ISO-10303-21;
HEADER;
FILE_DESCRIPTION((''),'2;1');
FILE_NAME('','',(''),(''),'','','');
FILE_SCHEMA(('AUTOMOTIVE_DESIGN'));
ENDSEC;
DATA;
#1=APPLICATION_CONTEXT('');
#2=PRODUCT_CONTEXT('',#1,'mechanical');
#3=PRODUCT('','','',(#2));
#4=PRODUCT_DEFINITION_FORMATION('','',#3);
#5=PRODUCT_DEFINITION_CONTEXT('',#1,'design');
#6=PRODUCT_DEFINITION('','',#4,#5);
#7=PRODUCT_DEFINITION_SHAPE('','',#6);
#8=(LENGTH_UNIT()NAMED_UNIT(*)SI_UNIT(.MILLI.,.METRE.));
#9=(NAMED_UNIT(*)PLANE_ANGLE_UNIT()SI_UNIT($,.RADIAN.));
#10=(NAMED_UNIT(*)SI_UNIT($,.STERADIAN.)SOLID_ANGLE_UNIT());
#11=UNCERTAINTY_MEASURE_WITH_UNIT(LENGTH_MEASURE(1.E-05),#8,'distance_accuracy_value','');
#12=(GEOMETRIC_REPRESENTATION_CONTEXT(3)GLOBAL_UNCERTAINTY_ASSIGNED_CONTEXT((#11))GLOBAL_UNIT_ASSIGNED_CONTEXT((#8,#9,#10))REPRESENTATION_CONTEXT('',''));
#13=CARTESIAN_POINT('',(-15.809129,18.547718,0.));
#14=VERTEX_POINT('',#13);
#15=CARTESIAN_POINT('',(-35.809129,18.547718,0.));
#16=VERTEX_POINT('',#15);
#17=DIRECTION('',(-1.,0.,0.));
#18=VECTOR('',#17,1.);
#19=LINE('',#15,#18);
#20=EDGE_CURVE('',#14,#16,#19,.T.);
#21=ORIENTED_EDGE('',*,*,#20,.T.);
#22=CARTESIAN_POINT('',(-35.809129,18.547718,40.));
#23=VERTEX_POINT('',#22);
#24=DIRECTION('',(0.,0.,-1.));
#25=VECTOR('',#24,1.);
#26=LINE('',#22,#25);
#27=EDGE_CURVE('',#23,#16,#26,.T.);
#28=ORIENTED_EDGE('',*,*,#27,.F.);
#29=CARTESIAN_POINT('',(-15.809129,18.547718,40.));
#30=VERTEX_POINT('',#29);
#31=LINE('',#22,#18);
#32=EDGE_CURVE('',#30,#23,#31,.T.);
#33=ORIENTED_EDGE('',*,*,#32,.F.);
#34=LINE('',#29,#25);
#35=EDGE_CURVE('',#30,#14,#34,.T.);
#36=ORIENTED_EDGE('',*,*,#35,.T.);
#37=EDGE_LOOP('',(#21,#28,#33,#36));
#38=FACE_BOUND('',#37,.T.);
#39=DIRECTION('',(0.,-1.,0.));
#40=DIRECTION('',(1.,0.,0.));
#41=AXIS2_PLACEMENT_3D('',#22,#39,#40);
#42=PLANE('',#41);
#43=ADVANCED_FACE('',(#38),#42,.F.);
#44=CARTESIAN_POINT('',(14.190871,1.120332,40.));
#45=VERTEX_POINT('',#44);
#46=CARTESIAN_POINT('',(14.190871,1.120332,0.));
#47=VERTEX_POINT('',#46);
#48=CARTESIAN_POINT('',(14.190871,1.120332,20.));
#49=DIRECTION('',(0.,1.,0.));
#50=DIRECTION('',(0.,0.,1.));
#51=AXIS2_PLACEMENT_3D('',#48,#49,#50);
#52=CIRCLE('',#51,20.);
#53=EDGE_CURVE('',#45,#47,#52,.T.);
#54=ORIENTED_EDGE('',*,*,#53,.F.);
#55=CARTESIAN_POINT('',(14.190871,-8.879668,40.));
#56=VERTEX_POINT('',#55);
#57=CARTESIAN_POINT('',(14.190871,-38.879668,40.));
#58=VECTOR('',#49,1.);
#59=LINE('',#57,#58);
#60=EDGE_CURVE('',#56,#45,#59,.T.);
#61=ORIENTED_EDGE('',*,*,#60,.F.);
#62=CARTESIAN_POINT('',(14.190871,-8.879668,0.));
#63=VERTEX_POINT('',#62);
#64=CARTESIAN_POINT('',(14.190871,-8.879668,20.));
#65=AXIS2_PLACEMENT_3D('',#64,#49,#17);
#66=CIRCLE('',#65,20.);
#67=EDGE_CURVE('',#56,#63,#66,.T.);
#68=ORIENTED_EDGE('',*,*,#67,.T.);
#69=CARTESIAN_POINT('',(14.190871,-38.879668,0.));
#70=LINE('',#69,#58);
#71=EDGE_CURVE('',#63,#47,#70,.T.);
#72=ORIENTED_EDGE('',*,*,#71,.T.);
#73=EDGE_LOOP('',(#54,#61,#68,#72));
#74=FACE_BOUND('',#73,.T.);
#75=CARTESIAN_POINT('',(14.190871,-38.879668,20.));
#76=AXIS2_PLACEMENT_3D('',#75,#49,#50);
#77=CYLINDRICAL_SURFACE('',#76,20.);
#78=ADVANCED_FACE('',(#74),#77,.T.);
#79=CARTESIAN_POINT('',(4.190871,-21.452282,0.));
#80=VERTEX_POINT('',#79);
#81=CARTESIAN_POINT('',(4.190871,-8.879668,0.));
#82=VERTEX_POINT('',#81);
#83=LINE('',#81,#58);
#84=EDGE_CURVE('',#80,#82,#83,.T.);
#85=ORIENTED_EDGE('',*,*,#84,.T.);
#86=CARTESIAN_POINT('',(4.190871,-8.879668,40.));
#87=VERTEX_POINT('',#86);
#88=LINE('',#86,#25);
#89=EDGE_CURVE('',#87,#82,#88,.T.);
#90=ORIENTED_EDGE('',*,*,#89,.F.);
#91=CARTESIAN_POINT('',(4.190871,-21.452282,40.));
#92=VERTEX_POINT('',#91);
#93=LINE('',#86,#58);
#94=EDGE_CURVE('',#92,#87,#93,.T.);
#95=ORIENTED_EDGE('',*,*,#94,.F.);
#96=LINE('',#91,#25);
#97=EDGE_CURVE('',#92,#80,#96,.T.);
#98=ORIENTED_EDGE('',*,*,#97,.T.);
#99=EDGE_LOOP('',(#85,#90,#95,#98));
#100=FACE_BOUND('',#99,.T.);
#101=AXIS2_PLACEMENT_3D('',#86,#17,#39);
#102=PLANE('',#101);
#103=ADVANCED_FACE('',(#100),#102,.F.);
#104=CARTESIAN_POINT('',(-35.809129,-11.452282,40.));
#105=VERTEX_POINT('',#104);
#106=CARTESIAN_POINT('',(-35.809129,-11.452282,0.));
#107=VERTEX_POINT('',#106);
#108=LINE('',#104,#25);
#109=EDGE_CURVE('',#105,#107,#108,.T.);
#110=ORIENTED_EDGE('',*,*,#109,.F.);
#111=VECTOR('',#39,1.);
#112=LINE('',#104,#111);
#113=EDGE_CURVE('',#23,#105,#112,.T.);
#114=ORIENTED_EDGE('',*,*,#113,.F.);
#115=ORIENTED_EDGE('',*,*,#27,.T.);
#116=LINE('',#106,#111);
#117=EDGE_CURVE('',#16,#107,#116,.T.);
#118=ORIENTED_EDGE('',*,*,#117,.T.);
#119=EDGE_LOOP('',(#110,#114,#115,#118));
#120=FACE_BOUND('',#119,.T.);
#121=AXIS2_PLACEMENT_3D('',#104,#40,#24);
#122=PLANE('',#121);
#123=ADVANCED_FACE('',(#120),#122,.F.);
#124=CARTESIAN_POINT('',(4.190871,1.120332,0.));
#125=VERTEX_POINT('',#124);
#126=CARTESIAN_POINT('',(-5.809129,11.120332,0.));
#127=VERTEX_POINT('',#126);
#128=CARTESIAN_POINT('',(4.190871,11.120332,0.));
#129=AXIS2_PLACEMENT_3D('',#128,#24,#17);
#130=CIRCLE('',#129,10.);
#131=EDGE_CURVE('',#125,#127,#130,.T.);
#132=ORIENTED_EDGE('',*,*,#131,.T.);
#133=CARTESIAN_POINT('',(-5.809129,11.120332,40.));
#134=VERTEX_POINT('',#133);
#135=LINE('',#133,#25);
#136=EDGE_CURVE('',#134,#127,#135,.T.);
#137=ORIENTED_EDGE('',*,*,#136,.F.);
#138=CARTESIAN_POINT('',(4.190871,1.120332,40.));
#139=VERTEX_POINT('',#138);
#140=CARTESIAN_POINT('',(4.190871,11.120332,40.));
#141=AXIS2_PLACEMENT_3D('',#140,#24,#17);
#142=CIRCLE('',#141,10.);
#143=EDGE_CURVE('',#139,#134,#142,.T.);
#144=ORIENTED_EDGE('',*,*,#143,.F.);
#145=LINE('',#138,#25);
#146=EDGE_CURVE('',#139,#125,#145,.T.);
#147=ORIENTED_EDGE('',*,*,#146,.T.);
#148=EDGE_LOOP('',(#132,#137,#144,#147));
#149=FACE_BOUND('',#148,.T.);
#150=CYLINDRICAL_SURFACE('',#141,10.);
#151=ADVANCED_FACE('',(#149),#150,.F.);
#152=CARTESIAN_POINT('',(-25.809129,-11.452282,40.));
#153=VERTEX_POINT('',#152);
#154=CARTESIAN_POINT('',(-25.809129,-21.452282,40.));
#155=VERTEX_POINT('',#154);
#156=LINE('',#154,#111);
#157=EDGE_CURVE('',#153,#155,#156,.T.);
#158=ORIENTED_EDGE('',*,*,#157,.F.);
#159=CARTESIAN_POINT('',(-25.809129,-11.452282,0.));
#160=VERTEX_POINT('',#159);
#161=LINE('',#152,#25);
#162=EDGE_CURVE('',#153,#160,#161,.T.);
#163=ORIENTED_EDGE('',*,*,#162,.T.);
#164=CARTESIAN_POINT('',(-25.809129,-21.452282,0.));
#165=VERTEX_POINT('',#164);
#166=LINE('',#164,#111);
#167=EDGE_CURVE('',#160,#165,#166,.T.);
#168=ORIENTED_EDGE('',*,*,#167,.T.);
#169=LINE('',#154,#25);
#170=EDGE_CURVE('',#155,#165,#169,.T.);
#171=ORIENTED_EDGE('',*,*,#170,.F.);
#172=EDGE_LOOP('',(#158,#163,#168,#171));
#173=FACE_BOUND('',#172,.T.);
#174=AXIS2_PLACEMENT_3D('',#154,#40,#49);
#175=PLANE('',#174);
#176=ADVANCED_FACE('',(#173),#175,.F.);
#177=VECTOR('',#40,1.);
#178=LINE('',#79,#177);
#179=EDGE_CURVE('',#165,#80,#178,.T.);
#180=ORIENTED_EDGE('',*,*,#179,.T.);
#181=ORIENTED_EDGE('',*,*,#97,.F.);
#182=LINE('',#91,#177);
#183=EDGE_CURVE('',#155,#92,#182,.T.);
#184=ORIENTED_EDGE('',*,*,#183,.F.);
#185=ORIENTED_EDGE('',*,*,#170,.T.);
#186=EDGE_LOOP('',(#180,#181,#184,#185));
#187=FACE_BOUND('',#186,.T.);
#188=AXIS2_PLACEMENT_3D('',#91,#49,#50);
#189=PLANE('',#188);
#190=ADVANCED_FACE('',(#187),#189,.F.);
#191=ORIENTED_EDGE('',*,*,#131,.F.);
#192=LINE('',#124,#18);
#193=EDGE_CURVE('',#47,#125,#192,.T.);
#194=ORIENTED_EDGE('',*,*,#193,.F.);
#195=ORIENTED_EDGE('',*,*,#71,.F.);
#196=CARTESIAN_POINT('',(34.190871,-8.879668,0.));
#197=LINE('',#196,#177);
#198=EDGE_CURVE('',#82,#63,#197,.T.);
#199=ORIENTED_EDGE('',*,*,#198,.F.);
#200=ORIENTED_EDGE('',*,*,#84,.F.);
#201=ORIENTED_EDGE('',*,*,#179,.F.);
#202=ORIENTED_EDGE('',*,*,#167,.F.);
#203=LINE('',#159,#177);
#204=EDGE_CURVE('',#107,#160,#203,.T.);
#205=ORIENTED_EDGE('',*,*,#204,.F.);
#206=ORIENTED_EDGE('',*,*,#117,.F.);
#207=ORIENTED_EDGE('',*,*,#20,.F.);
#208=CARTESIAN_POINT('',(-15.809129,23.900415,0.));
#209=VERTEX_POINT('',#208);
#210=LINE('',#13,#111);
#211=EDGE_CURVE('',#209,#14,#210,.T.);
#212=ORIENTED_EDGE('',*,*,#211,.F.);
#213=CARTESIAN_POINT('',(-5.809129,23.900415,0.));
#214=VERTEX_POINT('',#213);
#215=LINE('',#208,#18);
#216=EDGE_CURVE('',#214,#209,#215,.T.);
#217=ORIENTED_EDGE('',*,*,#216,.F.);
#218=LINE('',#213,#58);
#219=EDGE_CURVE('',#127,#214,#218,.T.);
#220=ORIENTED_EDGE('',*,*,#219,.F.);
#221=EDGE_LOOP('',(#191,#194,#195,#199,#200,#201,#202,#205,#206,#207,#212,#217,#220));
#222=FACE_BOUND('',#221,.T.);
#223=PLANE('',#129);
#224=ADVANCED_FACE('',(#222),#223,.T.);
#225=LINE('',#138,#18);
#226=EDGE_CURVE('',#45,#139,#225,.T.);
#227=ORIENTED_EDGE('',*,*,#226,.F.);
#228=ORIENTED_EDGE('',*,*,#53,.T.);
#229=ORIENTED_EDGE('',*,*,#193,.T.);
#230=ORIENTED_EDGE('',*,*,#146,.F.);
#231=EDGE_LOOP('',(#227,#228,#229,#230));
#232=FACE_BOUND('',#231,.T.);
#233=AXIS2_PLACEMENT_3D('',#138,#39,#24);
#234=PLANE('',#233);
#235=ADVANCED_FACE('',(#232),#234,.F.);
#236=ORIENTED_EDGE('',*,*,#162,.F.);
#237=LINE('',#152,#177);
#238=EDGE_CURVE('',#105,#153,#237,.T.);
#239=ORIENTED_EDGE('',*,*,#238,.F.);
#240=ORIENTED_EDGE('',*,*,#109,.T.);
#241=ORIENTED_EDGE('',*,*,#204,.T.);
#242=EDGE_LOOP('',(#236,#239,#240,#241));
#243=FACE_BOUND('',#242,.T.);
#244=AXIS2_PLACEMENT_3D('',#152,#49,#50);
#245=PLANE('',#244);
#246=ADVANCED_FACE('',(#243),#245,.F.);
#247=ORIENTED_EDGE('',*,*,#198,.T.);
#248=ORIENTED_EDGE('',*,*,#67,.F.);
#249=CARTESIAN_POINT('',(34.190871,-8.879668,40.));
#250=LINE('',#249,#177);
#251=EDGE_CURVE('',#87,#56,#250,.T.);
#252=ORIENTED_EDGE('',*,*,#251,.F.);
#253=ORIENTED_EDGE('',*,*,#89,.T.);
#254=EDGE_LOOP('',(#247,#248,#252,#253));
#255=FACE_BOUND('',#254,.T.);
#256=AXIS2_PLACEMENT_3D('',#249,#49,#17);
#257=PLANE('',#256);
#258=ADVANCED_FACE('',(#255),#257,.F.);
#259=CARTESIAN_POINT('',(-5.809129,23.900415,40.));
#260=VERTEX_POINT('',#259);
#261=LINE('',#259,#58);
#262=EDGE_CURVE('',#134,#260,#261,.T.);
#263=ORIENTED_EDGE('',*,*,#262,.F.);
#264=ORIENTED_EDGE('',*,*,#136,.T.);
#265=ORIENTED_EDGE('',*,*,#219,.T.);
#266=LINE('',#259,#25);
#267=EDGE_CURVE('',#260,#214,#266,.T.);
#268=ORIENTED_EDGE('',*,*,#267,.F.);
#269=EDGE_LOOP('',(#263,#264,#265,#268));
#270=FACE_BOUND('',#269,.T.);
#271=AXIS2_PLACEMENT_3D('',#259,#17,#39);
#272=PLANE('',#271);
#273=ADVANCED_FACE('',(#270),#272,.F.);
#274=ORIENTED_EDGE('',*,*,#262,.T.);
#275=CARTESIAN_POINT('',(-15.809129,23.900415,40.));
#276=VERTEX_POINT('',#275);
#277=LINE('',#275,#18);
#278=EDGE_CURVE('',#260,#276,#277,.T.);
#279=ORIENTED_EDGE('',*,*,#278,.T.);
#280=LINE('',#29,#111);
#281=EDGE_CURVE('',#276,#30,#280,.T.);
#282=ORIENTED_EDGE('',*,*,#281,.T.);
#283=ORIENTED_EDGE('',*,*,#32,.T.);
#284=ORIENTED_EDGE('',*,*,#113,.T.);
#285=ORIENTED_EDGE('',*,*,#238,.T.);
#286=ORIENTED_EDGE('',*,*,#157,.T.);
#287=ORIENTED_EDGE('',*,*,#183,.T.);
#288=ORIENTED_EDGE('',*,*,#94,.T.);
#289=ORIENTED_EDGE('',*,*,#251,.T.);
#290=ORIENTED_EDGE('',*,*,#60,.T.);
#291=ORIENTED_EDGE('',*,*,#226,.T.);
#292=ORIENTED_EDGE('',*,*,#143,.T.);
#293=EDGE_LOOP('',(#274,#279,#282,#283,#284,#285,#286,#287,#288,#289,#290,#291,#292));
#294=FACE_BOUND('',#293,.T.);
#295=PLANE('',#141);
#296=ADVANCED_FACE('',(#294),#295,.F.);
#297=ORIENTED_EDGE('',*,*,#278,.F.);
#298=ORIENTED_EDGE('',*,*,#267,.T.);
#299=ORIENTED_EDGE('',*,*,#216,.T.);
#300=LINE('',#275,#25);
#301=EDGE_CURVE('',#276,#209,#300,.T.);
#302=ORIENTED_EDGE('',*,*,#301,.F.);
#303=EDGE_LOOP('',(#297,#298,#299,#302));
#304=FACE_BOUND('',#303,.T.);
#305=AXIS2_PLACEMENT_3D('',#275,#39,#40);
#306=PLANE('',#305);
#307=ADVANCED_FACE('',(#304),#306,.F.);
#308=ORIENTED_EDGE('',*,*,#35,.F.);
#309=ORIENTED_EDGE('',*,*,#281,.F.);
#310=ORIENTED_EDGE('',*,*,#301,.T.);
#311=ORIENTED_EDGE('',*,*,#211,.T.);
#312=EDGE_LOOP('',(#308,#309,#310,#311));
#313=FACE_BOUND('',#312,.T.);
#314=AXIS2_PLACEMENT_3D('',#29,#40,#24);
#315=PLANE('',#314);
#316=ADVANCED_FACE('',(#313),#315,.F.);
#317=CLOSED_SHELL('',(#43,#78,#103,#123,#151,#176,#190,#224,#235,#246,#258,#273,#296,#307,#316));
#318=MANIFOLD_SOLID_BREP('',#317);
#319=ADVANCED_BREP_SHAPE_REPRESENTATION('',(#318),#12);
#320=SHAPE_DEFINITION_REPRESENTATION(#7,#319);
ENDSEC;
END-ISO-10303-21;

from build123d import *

# Parameters (mm, degrees)
BOSS_EXTRUDE1_DEPTH = 40
SKETCH3_OUTSIDE_W   = 90.5
SKETCH3_OUTSIDE_H   = 60.5
CUT_EXTRUDE1_DEPTH  = 40


with BuildPart() as part:
    # Sketch1 → Boss-Extrude1 (new body)
    with BuildSketch(Plane.XY):
        with BuildLine():
            Line((-15.809128631, 23.900414938), (-5.809128631, 23.900414938))
            Line((-5.809128631, 23.900414938), (-5.809128631, 11.12033195))
            ThreePointArc((-5.809128631, 11.12033195), (-2.880196443, 4.049264138), (4.190871369, 1.12033195))
            Line((4.190871369, 1.12033195), (34.190871369, 1.12033195))
            Line((34.190871369, 1.12033195), (34.190871369, -8.87966805))
            Line((34.190871369, -8.87966805), (4.190871369, -8.87966805))
            Line((4.190871369, -8.87966805), (4.190871369, -21.452282158))
            Line((4.190871369, -21.452282158), (-25.809128631, -21.452282158))
            Line((-25.809128631, -21.452282158), (-25.809128631, -11.452282158))
            Line((-25.809128631, -11.452282158), (-35.809128631, -11.452282158))
            Line((-35.809128631, -11.452282158), (-35.809128631, 18.547717842))
            Line((-35.809128631, 18.547717842), (-15.809128631, 18.547717842))
            Line((-15.809128631, 18.547717842), (-15.809128631, 23.900414938))
        make_face()
    extrude(amount=BOSS_EXTRUDE1_DEPTH)

    # Sketch3 outside → Cut-Extrude1 (cut)
    with BuildSketch(Plane(origin=(0, 1.12033195, 0), x_dir=(1, 0, 0), z_dir=(0, 1, 0))):
        with Locations((-0.809, -20)):
            Rectangle(SKETCH3_OUTSIDE_W, SKETCH3_OUTSIDE_H)
        with BuildLine():
            Line((14.190871369, 0), (-35.809128631, 0))
            Line((-35.809128631, 0), (-35.809128631, -40))
            Line((-35.809128631, -40), (14.190871369, -40))
            ThreePointArc((14.190871369, -40), (34.190871369, -20), (14.190871369, 0))
        make_face(mode=Mode.SUBTRACT)
    extrude(amount=-CUT_EXTRUDE1_DEPTH, mode=Mode.SUBTRACT)


solid = part.part
